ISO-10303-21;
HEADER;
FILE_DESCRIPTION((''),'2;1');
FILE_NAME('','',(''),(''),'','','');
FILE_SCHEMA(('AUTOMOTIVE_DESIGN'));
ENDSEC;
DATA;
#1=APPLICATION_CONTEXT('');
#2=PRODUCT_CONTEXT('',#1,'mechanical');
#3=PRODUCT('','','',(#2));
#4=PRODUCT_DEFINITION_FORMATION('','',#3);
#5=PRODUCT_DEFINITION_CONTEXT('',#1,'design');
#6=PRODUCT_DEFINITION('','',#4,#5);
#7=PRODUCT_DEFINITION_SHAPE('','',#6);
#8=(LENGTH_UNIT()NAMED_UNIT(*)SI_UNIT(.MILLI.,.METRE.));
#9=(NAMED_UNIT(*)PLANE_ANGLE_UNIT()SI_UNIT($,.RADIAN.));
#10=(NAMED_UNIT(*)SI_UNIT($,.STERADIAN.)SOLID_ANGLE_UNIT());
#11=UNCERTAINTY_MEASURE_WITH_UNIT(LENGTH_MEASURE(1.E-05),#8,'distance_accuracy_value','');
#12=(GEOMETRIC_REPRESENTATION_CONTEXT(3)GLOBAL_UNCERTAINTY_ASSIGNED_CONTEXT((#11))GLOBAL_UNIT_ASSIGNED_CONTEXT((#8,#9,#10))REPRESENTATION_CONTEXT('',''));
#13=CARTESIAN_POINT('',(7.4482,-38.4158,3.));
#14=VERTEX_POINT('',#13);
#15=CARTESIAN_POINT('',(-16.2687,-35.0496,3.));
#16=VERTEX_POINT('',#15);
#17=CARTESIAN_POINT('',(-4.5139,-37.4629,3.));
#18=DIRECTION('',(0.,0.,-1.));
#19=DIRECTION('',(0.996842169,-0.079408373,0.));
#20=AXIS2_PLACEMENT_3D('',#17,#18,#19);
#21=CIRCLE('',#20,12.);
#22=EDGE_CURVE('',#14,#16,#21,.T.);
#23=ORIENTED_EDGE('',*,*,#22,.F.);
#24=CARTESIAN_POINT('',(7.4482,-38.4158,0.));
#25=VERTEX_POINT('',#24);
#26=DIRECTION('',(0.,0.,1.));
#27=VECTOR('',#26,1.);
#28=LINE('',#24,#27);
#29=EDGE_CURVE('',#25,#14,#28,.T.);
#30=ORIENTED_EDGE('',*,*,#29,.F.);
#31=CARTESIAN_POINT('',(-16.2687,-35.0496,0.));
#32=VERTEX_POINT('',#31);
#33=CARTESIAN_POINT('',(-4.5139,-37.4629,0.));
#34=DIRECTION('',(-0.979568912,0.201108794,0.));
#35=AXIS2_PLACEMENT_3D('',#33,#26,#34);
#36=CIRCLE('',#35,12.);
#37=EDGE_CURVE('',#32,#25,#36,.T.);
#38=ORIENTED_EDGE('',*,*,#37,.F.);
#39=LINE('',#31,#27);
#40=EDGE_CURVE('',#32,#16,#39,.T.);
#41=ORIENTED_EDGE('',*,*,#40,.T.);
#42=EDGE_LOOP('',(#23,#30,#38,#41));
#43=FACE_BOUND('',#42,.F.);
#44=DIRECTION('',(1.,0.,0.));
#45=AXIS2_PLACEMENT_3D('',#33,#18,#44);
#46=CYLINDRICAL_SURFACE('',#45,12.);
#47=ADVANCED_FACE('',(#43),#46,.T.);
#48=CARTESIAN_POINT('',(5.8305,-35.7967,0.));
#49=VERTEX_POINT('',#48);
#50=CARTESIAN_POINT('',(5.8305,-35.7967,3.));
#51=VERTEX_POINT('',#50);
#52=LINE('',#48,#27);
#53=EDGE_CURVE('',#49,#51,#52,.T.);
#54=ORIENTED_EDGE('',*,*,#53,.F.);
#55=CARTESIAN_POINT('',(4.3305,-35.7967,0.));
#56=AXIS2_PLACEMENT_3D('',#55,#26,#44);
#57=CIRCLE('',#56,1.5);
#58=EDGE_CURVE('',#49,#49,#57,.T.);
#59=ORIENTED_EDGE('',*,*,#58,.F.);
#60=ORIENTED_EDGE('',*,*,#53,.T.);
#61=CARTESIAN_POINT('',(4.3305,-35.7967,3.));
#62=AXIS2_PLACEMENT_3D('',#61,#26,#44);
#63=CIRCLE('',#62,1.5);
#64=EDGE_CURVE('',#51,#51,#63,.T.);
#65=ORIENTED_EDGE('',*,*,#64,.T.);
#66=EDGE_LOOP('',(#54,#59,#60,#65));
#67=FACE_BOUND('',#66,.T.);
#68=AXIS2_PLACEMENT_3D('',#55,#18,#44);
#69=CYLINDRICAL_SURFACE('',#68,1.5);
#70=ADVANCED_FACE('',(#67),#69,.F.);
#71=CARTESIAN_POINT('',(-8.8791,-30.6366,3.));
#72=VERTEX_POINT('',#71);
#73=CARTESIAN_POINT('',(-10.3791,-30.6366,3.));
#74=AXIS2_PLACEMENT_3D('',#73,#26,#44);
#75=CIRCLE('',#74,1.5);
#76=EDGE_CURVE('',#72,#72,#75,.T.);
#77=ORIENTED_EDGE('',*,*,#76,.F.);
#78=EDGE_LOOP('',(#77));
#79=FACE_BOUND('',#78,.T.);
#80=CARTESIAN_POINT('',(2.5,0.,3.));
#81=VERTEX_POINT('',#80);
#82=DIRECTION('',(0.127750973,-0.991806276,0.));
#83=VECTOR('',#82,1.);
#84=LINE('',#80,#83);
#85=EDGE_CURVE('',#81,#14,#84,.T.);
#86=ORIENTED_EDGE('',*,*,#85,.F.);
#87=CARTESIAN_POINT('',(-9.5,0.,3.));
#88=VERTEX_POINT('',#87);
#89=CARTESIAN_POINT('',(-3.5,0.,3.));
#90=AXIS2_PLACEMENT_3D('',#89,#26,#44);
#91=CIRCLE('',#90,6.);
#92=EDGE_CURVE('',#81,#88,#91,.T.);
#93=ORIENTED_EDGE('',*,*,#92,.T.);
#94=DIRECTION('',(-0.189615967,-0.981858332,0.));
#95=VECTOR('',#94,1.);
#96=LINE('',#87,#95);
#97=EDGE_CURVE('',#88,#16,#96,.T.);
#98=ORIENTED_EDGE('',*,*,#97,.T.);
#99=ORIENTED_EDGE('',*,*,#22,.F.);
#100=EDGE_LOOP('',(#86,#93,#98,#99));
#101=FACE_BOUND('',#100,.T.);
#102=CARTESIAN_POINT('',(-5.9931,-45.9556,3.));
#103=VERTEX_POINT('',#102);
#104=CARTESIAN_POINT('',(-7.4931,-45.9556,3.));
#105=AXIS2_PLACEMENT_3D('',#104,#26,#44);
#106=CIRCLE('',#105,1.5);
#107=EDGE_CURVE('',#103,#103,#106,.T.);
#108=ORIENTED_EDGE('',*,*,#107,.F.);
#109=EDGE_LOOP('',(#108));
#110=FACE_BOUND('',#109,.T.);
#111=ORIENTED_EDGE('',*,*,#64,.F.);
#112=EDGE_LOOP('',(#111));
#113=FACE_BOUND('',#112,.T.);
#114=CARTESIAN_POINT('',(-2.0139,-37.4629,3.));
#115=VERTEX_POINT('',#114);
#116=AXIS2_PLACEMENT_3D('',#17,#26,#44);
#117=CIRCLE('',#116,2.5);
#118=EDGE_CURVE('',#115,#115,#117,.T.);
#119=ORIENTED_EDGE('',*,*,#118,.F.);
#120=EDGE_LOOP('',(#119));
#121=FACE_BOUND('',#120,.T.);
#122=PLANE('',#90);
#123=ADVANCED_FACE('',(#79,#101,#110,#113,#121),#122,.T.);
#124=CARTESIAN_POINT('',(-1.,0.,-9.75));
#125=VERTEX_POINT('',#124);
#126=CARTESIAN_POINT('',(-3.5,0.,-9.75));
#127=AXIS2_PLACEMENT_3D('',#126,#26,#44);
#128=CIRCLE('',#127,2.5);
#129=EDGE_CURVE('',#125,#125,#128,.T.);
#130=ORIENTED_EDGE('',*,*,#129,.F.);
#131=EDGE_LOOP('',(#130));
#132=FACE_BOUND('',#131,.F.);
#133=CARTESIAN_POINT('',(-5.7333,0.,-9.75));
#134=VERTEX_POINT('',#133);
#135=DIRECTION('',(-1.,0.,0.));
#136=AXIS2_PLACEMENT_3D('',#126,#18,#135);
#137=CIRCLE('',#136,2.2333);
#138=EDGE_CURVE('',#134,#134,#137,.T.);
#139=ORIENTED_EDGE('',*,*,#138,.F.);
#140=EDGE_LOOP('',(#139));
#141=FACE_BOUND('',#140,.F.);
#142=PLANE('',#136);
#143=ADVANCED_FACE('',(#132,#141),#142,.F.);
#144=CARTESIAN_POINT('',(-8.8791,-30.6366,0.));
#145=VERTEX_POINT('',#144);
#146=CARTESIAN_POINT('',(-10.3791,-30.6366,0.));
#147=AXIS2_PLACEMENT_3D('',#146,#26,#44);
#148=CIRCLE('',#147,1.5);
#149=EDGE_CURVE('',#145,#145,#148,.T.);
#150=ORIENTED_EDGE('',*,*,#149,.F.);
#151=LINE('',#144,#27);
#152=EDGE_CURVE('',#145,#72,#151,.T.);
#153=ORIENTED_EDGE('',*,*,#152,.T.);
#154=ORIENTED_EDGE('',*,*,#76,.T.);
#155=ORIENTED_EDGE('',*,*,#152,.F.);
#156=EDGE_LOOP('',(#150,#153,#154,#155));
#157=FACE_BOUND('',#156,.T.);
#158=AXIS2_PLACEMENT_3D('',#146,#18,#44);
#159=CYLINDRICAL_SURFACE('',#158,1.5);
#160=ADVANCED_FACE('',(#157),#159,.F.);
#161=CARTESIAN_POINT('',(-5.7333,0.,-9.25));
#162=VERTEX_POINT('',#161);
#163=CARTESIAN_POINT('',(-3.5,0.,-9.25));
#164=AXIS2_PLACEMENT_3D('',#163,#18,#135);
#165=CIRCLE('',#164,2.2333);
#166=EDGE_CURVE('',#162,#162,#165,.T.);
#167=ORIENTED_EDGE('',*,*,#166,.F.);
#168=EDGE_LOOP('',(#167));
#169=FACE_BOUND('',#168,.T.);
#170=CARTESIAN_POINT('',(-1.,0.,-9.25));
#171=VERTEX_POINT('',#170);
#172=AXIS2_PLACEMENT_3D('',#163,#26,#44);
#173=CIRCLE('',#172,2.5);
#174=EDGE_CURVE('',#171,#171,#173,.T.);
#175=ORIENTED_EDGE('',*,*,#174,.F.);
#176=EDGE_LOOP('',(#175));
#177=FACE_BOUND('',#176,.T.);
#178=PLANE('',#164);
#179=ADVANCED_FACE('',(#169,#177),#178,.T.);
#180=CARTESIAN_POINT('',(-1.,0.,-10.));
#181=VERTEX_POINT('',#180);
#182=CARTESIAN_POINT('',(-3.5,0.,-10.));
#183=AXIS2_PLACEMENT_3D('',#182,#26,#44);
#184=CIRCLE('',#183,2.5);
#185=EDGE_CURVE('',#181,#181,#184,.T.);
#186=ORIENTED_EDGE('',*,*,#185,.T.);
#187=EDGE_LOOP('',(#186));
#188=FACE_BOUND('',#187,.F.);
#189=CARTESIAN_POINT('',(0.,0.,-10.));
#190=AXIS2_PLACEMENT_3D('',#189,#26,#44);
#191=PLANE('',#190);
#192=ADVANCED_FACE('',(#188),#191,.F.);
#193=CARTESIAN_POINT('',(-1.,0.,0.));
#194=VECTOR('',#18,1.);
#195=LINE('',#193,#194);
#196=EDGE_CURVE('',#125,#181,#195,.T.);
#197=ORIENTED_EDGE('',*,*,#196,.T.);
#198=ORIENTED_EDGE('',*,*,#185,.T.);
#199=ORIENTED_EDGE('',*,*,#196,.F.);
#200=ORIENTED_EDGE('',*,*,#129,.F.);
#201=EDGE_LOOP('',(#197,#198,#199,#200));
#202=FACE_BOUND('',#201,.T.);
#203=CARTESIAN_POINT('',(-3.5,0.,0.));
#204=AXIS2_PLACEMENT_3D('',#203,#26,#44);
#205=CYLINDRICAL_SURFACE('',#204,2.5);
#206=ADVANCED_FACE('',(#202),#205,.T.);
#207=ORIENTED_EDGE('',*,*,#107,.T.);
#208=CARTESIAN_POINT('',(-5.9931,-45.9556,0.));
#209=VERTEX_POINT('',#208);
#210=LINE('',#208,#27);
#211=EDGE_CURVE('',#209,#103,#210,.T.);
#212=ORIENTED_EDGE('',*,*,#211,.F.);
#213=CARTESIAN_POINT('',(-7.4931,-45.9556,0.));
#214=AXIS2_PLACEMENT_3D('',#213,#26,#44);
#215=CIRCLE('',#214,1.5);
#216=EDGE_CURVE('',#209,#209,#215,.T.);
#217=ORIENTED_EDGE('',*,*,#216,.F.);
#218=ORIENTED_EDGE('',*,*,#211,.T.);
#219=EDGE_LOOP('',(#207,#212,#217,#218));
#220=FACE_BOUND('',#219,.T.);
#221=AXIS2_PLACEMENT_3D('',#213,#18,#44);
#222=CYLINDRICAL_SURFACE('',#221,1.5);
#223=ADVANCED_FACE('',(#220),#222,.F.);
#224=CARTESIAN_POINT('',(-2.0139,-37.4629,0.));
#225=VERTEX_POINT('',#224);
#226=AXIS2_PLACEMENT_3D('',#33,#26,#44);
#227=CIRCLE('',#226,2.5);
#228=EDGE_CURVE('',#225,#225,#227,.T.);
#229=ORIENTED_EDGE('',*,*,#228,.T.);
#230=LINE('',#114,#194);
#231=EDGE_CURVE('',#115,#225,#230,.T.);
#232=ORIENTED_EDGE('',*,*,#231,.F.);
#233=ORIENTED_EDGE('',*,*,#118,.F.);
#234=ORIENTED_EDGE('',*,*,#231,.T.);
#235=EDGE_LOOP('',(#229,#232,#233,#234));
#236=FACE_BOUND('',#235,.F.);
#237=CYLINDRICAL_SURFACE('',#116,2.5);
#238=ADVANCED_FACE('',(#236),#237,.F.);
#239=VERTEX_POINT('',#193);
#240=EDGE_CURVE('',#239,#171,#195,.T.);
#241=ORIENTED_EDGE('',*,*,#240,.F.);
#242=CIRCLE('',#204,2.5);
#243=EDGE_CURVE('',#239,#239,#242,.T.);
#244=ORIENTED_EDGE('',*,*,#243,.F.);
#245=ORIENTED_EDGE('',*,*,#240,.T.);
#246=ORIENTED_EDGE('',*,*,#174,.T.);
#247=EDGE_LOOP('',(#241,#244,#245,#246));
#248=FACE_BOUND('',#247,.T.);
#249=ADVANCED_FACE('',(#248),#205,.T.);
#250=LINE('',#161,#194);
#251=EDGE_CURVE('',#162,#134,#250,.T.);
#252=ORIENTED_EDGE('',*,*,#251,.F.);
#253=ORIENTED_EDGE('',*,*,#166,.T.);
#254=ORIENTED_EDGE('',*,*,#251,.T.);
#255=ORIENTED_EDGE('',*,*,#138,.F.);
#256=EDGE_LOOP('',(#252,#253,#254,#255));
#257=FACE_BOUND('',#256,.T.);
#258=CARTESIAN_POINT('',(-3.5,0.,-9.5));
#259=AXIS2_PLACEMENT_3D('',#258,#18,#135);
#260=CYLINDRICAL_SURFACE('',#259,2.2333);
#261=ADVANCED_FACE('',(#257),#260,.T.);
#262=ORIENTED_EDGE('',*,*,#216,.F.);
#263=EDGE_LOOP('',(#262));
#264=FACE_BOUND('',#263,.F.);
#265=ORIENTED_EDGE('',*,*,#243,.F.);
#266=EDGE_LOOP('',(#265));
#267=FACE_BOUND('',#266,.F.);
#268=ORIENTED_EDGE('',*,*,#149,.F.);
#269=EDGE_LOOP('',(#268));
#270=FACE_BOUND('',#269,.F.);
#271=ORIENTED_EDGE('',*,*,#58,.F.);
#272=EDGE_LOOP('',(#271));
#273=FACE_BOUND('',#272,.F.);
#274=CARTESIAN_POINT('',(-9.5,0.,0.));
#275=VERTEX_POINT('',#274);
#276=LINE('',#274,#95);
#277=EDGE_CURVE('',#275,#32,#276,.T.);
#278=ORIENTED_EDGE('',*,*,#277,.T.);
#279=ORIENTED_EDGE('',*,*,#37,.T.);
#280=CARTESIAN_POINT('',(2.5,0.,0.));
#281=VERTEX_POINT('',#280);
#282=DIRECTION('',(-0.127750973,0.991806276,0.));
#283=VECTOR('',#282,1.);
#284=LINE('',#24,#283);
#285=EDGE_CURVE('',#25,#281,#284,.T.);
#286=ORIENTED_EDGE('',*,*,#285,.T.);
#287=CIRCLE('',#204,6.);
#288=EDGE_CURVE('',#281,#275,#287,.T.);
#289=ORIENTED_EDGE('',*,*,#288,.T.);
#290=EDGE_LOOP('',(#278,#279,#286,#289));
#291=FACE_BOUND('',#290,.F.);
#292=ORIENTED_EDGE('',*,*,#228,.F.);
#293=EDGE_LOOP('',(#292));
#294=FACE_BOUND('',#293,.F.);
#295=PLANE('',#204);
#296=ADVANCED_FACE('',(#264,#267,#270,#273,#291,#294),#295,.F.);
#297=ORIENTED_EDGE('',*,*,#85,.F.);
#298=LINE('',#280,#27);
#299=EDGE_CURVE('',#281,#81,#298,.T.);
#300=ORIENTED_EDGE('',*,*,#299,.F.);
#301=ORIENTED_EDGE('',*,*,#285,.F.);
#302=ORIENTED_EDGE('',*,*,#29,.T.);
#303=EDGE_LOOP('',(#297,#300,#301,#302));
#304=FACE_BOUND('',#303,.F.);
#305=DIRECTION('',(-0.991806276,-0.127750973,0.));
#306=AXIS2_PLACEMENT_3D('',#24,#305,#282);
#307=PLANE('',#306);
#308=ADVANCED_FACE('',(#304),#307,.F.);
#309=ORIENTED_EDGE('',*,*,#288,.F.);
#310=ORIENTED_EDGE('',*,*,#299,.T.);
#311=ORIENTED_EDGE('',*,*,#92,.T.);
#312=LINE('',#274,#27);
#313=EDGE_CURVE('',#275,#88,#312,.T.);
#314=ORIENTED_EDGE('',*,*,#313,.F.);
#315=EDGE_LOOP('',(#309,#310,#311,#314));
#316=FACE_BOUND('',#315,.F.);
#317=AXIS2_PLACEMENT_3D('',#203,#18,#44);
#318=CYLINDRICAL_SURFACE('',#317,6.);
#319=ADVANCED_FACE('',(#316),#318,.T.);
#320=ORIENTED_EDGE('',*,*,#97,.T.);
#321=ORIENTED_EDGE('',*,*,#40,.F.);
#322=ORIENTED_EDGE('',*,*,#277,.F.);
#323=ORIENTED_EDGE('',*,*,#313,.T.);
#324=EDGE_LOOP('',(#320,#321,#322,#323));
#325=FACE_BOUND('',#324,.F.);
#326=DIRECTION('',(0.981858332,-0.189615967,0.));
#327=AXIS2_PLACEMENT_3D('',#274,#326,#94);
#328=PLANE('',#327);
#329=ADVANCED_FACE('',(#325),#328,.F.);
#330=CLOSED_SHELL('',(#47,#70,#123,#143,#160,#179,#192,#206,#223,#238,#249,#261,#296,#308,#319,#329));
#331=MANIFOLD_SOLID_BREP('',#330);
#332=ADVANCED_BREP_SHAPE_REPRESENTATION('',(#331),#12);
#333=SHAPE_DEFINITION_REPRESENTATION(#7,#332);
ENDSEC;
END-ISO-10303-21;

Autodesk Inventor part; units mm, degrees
ref_plane "YZ Plane" through (0, 0, 0) normal (1, 0, 0) x (0, 1, 0)
ref_plane "XZ Plane" through (0, 0, 0) normal (0, 1, 0) x (-1, 0, 0)
sketch "Esquisse1" plane through (0, 0, 0) normal (0, 0, 1) x (1, 0, 0)
  circle A0 centre (-3.5, 0) radius 2.5 projected
  circle A1 centre (-3.5, 0) radius 2.5
  point P0 (0, 0)
ref_plane "Plan de construction1" through (-13, -9.5, -10) normal (0, 0, -1) x (0, 1, 0)
extrude "Extrusion1" add sketch "Esquisse1" against normal up to surface (10 mm away)
ref_plane "Plan de construction2" through (-3.5, 0, -9.5) normal (0, 0, -1) x (-1, 0, 0)
sketch "Esquisse2" plane through (-3.5, 0, -9.5) normal (0, 0, -1) x (-1, 0, 0)
  circle A0 centre (0, 0) radius 2.5
  circle A1 centre (0, 0) radius 2.2333
  point P0 (-3.5, 0)
extrude "Extrusion2" cut sketch "Esquisse2" along normal mid plane 0.5
sketch "Esquisxse8" plane through (-3.5, 0, 0) normal (0, 0, 1) x (1, 0, 0)
  circle A0 centre (-1.0139, -37.4629) radius 12 projected
  circle A1 centre (-6.8791, -30.6366) radius 1.5 projected
  circle A2 centre (-3.9931, -45.9556) radius 1.5 projected
  circle A3 centre (7.8305, -35.7967) radius 1.5 projected
  circle A4 centre (0, 0) radius 2.5 projected
  arc A5 (6, 0) -> (-6, 0) centre (0, 0) ccw
  arc A6 (-12.7687, -35.0496) -> (10.3163, -33.5099) centre (-1.0139, -37.4629) ccw
  circle A7 centre (-3.9931, -45.9556) radius 1.5
  circle A8 centre (-6.8791, -30.6366) radius 1.5
  circle A9 centre (7.8305, -35.7967) radius 1.5
  line L0 (10.9482, -38.4158) -> (6, 0)
  line L1 (-6, 0) -> (-12.8221, -35.3258)
  point P0 (3.5, 0)
  dimension "d15" = 12
extrude "Extrusion6" add sketch "Esquisxse8" along normal blind 3 contours L0 A0 | A0 L1 A5 L0 picked at (-1.038, -37.5266)
sketch "Esquisse9" plane through (-3.5, 0, 3) normal (0, 0, 1) x (1, 0, 0)
  circle A0 centre (0, 0) radius 2.5 projected
  circle A1 centre (0, 0) radius 2.5
  point P0 (3.5, 0)
extrude "Extrusion7" add sketch "Esquisse9" against normal blind 10
sketch "Esquisse11" plane through (-3.5, 0, 3) normal (0, 0, 1) x (1, 0, 0)
  circle A0 centre (-1.0139, -37.4629) radius 2.5
  point P0 (3.5, 0)
extrude "Extrusion8" cut sketch "Esquisse11" against normal blind 10
properties part number "bras_codeur"
